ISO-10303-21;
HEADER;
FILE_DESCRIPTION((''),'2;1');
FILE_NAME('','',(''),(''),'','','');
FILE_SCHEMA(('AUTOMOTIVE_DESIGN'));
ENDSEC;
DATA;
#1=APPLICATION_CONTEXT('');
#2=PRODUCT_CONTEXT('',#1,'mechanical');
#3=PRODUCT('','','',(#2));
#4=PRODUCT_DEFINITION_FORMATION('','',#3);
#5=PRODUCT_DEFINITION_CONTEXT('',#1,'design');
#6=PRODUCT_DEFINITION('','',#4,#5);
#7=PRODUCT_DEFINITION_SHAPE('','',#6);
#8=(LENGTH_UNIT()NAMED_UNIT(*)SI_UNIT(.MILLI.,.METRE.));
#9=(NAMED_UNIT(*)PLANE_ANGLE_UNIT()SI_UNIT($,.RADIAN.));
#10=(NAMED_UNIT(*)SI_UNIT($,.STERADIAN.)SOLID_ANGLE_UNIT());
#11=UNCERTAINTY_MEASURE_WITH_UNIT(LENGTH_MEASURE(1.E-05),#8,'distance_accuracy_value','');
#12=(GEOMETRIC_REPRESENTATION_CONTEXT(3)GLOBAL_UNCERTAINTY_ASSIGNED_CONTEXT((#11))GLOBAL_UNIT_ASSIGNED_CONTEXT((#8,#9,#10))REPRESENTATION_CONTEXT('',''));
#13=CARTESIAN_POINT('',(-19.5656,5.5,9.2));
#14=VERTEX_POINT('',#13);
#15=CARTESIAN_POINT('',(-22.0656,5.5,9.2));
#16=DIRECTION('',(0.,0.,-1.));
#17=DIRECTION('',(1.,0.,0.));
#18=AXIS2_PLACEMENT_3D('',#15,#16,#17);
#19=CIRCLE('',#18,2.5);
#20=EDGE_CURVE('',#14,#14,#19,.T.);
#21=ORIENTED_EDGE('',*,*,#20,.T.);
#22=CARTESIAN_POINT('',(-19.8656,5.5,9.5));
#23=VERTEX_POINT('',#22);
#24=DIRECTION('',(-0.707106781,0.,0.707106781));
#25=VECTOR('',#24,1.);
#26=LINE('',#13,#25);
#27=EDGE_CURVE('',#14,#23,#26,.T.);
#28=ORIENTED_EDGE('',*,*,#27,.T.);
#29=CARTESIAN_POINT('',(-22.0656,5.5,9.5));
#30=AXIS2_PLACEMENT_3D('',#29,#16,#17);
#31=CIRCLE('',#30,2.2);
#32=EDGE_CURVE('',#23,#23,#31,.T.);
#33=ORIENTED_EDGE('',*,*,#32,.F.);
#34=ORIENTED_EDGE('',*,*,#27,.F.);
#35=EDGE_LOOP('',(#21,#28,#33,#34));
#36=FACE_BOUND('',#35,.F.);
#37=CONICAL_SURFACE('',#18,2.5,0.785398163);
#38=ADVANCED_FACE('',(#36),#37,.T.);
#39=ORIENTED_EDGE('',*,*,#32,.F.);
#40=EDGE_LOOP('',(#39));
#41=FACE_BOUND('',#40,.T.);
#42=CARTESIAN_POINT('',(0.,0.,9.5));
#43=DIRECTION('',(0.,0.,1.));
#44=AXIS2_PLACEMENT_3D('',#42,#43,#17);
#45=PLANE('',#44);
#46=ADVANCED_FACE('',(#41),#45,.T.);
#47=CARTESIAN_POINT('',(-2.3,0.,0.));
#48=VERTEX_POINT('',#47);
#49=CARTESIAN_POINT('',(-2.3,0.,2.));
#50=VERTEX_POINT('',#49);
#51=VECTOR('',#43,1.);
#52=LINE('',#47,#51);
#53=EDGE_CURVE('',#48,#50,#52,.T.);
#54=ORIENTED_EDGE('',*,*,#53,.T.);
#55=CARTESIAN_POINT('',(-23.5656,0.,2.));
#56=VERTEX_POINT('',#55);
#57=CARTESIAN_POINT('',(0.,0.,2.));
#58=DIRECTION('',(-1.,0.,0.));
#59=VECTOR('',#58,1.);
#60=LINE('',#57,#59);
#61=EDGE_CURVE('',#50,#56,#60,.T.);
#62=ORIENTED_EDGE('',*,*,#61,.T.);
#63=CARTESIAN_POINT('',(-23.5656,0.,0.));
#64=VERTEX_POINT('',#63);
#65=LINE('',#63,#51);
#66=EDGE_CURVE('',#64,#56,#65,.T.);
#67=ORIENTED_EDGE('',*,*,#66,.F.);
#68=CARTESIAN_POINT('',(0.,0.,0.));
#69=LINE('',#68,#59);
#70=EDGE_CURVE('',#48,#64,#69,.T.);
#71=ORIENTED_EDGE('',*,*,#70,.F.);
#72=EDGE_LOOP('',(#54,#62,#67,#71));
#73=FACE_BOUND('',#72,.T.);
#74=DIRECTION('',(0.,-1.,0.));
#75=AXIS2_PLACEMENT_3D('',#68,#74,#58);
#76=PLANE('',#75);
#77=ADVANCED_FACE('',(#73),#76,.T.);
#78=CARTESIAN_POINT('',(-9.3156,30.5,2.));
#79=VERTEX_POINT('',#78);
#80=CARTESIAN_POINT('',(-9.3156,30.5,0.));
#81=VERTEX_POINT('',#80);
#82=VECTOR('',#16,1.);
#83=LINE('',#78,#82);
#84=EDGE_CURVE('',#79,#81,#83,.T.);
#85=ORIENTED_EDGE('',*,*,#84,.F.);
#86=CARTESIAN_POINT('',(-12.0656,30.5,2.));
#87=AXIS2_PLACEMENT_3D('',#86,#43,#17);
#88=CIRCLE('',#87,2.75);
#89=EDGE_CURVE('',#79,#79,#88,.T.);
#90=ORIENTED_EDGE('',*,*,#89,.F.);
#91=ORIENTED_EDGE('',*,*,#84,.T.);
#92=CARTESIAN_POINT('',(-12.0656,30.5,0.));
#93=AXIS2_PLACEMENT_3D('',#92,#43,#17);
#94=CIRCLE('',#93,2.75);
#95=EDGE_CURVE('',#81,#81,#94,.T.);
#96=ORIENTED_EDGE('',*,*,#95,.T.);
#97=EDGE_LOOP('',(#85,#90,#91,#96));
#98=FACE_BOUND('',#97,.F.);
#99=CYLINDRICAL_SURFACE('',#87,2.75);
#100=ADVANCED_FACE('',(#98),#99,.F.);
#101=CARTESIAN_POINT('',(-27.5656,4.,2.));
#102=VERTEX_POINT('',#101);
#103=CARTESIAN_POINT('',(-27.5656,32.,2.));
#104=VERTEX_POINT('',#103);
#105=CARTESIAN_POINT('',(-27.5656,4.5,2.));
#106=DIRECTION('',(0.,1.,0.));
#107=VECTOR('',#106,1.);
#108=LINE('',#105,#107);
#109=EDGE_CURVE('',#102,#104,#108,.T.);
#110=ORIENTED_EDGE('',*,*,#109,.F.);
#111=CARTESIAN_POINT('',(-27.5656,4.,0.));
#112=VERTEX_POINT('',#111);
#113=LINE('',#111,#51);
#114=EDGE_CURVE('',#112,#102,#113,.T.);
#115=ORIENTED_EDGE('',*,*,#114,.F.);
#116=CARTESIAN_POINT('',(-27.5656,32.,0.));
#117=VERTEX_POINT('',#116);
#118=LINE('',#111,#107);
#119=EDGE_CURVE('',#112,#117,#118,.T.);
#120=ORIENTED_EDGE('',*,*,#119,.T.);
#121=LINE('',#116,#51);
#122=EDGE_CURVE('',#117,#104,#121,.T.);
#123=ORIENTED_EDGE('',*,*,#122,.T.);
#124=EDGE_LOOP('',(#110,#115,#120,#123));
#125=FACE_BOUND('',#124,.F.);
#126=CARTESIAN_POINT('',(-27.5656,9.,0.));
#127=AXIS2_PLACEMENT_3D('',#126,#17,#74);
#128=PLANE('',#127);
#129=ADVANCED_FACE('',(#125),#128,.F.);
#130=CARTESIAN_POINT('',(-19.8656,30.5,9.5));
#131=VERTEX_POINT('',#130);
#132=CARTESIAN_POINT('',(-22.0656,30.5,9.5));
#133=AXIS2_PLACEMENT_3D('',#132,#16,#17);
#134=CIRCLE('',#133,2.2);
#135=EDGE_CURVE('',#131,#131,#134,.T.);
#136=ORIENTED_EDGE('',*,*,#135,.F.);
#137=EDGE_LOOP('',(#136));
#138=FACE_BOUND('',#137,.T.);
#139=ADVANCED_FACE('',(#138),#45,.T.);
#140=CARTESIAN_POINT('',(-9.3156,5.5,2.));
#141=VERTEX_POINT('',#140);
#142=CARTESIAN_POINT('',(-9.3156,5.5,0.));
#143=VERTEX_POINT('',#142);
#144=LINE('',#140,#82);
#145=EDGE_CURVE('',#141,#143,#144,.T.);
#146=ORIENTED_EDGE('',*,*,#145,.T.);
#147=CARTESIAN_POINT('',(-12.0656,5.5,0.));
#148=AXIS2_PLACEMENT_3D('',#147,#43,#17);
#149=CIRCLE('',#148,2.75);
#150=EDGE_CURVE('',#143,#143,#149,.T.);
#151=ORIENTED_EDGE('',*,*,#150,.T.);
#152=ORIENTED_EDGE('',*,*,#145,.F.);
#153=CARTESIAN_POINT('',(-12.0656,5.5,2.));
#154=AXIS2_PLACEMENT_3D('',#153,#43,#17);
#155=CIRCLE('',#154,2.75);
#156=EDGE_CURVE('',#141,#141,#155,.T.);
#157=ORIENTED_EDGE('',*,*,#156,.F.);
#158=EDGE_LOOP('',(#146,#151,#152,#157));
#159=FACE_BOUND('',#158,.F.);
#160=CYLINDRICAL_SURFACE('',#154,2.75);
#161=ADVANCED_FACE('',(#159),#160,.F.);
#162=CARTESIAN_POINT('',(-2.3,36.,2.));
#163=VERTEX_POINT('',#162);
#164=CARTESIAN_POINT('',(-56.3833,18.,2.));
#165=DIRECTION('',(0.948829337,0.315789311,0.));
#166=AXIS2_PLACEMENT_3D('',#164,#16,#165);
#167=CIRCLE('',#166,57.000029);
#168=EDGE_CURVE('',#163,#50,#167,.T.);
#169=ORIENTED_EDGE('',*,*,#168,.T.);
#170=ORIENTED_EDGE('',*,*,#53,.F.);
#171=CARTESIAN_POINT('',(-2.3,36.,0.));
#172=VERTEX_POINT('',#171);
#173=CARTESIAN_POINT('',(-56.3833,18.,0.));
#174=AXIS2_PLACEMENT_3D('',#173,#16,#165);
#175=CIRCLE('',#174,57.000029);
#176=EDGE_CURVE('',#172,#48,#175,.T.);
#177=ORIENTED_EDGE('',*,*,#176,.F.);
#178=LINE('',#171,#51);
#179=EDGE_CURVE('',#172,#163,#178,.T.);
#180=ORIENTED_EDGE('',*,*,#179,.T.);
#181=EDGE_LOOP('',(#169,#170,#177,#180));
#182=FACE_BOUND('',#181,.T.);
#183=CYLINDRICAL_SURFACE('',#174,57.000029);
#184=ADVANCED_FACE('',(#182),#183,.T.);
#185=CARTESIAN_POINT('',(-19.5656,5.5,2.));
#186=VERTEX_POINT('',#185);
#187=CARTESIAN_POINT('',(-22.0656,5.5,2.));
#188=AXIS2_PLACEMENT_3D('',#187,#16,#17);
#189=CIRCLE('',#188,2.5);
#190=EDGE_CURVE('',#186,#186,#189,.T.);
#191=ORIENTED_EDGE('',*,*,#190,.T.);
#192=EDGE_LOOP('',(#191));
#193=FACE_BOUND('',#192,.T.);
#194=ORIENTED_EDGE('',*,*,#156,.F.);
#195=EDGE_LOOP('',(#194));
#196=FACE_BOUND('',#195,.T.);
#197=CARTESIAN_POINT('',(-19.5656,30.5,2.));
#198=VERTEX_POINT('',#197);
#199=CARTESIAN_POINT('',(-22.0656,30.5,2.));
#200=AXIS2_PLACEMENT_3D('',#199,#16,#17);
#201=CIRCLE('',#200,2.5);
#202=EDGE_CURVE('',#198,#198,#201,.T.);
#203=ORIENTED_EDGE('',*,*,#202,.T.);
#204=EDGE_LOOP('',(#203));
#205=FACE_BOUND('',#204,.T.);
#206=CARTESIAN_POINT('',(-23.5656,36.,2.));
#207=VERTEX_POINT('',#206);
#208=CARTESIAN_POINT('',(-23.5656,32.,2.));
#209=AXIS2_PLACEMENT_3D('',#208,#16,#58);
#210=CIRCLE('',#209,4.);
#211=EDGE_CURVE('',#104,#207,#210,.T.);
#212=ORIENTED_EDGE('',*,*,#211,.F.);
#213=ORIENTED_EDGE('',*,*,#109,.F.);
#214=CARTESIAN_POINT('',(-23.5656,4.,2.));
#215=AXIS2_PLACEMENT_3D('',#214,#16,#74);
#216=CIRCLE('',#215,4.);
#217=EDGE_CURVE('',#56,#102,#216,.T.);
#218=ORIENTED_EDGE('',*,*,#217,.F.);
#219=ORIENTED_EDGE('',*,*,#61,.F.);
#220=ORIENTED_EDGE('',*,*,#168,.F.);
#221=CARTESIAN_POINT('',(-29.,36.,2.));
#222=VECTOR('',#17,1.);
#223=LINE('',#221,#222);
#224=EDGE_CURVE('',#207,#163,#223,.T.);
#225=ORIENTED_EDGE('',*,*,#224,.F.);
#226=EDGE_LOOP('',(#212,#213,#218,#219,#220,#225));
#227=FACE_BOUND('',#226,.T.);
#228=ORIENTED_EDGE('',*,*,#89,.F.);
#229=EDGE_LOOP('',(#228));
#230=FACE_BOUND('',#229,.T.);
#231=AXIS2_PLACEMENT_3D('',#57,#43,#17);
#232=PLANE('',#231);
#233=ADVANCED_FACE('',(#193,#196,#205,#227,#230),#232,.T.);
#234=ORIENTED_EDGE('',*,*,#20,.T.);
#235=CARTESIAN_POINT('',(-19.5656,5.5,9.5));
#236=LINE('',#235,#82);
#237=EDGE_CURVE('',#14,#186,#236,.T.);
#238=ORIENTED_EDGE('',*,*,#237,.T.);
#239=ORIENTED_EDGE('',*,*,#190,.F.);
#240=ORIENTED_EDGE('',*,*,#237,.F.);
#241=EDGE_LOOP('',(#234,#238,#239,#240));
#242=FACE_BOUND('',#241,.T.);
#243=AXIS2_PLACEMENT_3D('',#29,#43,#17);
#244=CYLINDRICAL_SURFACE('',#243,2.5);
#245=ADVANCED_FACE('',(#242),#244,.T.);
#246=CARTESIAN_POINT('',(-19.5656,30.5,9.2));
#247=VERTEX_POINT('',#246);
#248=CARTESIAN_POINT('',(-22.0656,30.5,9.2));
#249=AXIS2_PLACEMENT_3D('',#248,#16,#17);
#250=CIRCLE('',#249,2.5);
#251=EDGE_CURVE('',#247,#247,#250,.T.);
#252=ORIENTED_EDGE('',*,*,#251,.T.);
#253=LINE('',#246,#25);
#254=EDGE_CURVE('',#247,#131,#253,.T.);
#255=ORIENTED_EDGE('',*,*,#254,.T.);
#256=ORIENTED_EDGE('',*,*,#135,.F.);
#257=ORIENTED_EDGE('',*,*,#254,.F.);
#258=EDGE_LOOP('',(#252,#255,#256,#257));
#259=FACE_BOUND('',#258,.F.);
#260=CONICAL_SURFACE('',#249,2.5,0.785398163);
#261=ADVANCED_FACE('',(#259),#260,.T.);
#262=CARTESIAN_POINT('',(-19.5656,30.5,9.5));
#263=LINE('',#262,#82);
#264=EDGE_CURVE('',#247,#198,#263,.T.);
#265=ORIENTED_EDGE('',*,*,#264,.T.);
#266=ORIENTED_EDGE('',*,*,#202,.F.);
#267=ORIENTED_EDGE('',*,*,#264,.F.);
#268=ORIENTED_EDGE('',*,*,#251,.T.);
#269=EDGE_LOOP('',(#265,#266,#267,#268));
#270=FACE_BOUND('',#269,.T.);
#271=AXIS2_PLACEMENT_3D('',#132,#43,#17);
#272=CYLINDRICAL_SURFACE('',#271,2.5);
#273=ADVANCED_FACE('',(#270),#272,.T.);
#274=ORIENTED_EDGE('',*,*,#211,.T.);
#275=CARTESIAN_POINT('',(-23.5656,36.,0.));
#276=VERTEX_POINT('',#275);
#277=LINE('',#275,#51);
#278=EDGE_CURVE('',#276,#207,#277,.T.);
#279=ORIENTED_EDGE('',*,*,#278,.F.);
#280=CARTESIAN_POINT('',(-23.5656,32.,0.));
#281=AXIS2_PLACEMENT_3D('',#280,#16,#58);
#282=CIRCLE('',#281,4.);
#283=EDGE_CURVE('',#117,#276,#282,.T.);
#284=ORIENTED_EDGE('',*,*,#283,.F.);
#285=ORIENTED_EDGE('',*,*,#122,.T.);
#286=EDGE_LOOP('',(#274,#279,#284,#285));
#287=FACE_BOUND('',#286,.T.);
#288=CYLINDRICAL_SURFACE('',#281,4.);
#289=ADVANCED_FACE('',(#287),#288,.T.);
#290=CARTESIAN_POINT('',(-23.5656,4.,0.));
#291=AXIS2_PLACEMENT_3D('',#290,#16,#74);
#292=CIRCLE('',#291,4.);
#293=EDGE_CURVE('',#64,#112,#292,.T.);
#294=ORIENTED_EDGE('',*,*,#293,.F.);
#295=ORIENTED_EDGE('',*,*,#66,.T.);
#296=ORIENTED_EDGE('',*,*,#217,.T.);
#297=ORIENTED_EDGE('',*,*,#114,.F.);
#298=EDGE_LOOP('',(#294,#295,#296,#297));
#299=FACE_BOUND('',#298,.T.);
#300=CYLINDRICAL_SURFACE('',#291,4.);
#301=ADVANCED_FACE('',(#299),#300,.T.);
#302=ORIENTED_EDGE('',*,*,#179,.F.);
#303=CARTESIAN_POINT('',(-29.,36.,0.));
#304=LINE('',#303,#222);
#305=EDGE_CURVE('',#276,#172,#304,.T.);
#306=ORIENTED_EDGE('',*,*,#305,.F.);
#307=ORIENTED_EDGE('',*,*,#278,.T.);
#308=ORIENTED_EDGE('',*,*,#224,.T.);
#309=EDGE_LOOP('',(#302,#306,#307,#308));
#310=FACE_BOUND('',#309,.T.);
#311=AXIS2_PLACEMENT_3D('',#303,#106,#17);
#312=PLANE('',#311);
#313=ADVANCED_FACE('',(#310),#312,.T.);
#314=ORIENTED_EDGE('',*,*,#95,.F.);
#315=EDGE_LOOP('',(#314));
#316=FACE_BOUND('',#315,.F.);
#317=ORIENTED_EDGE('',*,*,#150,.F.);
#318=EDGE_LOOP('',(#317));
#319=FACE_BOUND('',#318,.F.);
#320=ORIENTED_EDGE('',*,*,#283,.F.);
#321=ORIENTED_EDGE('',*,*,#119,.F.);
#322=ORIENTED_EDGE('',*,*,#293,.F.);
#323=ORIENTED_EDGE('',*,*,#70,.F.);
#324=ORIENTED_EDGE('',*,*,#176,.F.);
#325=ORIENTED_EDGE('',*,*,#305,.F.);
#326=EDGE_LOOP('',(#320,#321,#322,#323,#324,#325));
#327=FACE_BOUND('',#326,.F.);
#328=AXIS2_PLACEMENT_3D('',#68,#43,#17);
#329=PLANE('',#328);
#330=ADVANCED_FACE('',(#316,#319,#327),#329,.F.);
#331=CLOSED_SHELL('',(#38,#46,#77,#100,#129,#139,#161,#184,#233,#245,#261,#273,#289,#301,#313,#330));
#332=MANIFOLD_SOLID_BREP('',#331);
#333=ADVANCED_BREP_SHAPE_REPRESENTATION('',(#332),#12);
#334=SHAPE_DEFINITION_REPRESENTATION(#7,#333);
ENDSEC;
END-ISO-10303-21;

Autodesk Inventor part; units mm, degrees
ref_plane "YZ Plane" through (0, 0, 0) normal (1, 0, 0) x (0, 1, 0)
ref_plane "XZ Plane" through (0, 0, 0) normal (0, 1, 0) x (-1, 0, 0)
ref_plane "XY Plane" through (0, 0, 0) normal (0, 0, 1) x (1, 0, 0)
sketch "Esquisse1" plane through (0, 0, 0) normal (0, 0, 1) x (1, 0, 0)
  line L0 (0, 0) -> (-29, 0)
  line L1 (-29, 0) -> (-29, 36)
  line L2 (-29, 36) -> (0, 36)
  line L3 (-24.5656, 33) -> (-19.5656, 33)
  line L4 (-19.5656, 33) -> (-19.5656, 28)
  line L5 (-19.5656, 28) -> (-24.5656, 28)
  line L6 (-24.5656, 28) -> (-24.5656, 33)
  line L7 (-14.5656, 33) -> (-9.5656, 33)
  line L8 (-9.5656, 33) -> (-9.5656, 28)
  line L9 (-9.5656, 28) -> (-14.5656, 28)
  line L10 (-14.5656, 28) -> (-14.5656, 33)
  line L11 (-24.5656, 8) -> (-19.5656, 8)
  line L12 (-19.5656, 8) -> (-19.5656, 3)
  line L13 (-19.5656, 3) -> (-24.5656, 3)
  line L14 (-24.5656, 3) -> (-24.5656, 8)
  line L15 (-14.5656, 8) -> (-9.5656, 8)
  line L16 (-9.5656, 8) -> (-9.5656, 3)
  line L17 (-9.5656, 3) -> (-14.5656, 3)
  line L18 (-14.5656, 3) -> (-14.5656, 8)
  arc A0 (0, 0) -> (0, 36) centre (-54.0833, 18) ccw
  line L19 (-9.3156, 33.25) -> (-14.8156, 33.25)
  line L20 (-14.8156, 33.25) -> (-14.8156, 27.75)
  line L21 (-14.8156, 27.75) -> (-9.3156, 27.75)
  line L22 (-9.3156, 27.75) -> (-9.3156, 33.25)
  line L23 (-9.3156, 8.25) -> (-14.8156, 8.25)
  line L24 (-14.8156, 8.25) -> (-14.8156, 2.75)
  line L25 (-14.8156, 2.75) -> (-9.3156, 2.75)
  line L26 (-9.3156, 2.75) -> (-9.3156, 8.25)
  dimension "d0" = 36
  dimension "d1" = 29
  dimension "d2" = 5
  dimension "d3" = 5
  dimension "d4" = 5
  dimension "d5" = 5
  dimension "d6" = 20
  dimension "d7" = 5
  dimension "d8" = 3
  dimension "d9" = 57
  dimension "d21" = 5.5
  dimension "d22" = 5.5
extrude "Extrusion1" add sketch "Esquisse1" along normal blind 2 contours L0 L1 L2 A0 | L22 L21 L20 L19 | L26 L25 L24 L23
extrude "Extrusion3" add sketch "Esquisse1" along normal blind 9.5 contours L3 L4 L5 L6 | L11 L12 L13 L14
fillet "Congé1" radius 4 2 edges at (-29, 0, 1) (-29, 36, 1)
sketch "Esquisse2" plane through (0, 0, 2) normal (0, 0, 1) x (1, 0, 0)
  line L0 (-9.5656, 8) -> (-9.5656, 3) projected
  line L1 (-9.5656, 3) -> (-14.5656, 3) projected
  line L2 (-14.5656, 3) -> (-14.5656, 8) projected
  line L3 (-14.5656, 8) -> (-9.5656, 8) projected
  line L4 (-19.5656, 8) -> (-19.5656, 3) projected
  line L5 (-19.5656, 3) -> (-24.5656, 3) projected
  line L6 (-24.5656, 3) -> (-24.5656, 8) projected
  line L7 (-24.5656, 8) -> (-19.5656, 8) projected
  line L8 (-9.5656, 33) -> (-9.5656, 28) projected
  line L9 (-9.5656, 28) -> (-14.5656, 28) projected
  line L10 (-14.5656, 28) -> (-14.5656, 33) projected
  line L11 (-14.5656, 33) -> (-9.5656, 33) projected
  line L12 (-19.5656, 33) -> (-19.5656, 28) projected
  line L13 (-19.5656, 28) -> (-24.5656, 28) projected
  line L14 (-24.5656, 28) -> (-24.5656, 33) projected
  line L15 (-24.5656, 33) -> (-19.5656, 33) projected
  arc A0 (-25, 36) -> (-29, 32) centre (-25, 32) ccw projected
  line L16 (-29, 32) -> (-29, 4) projected
  arc A1 (-29, 4) -> (-25, 0) centre (-25, 4) ccw projected
  line L17 (-25, 0) -> (0, 0) projected
  arc A2 (0, 0) -> (0, 36) centre (-54.0833, 18) ccw projected
  line L18 (0, 36) -> (-25, 36) projected
  circle A3 centre (-12.0656, 30.5) radius 2.5
  circle A4 centre (-12.0656, 5.5) radius 2.5
extrude "Extrusion4" add sketch "Esquisse2" against normal up to surface (2 mm away) contours L0 A4 L3 | L0 L1 A4 | A4 L2 L3 | L1 L2 A4 | L8 A3 L11 | L8 L9 A3 | A3 L10 L11 | L9 L10 A3
sketch "Esquisse3" plane through (0, 0, 9.5) normal (0, 0, 1) x (1, 0, 0)
  circle A0 centre (-12.0656, 5.5) radius 2.5 projected
  line L0 (-19.5656, 8) -> (-19.5656, 3) projected
  line L1 (-19.5656, 3) -> (-24.5656, 3) projected
  line L2 (-24.5656, 3) -> (-24.5656, 8) projected
  line L3 (-24.5656, 8) -> (-19.5656, 8) projected
  circle A1 centre (-12.0656, 30.5) radius 2.5 projected
  line L4 (-19.5656, 33) -> (-19.5656, 28) projected
  line L5 (-19.5656, 28) -> (-24.5656, 28) projected
  line L6 (-24.5656, 28) -> (-24.5656, 33) projected
  line L7 (-24.5656, 33) -> (-19.5656, 33) projected
  arc A2 (-25, 36) -> (-29, 32) centre (-25, 32) ccw projected
  line L8 (-29, 32) -> (-29, 4) projected
  arc A3 (-29, 4) -> (-25, 0) centre (-25, 4) ccw projected
  line L9 (-25, 0) -> (0, 0) projected
  arc A4 (0, 0) -> (0, 36) centre (-54.0833, 18) ccw projected
  line L10 (0, 36) -> (-25, 36) projected
  circle A5 centre (-22.0656, 30.5) radius 2.5
  circle A6 centre (-22.0656, 5.5) radius 2.5
extrude "Extrusion5" cut sketch "Esquisse3" against normal up to surface (7.5 mm away) contours L0 A6 L3 | L0 L1 A6 | A6 L2 L3 | L1 L2 A6 | L4 A5 L7 | L4 L5 A5 | A5 L6 L7 | L5 L6 A5
sketch "Esquisse4" plane through (0, 0, 2) normal (0, 0, 1) x (1, 0, 0)
  circle A0 centre (-12.0656, 5.5) radius 2.5 projected
  circle A1 centre (-22.0656, 5.5) radius 2.5 projected
  circle A2 centre (-12.0656, 30.5) radius 2.5 projected
  circle A3 centre (-22.0656, 30.5) radius 2.5 projected
  arc A4 (-25, 36) -> (-29, 32) centre (-25, 32) ccw projected
  line L0 (-29, 32) -> (-29, 4) projected
  arc A5 (-29, 4) -> (-25, 0) centre (-25, 4) ccw projected
  line L1 (-25, 0) -> (0, 0) projected
  arc A6 (0, 0) -> (0, 36) centre (-54.0833, 18) ccw projected
  line L2 (0, 36) -> (-25, 36) projected
  circle A7 centre (-12.0656, 30.5) radius 2.75
  circle A8 centre (-12.0656, 5.5) radius 2.75
  dimension "d23" = 5.5
  dimension "d24" = 5.5
extrude "Extrusion6" cut sketch "Esquisse4" against normal through all contours A7 | A8
chamfer "Chanfrein1" distance 0.3 angle 45 2 edges at (-24.5656, 5.5, 9.5) (-24.5656, 30.5, 9.5)
sketch "Esquisse5" plane through (0, 0, 0) normal (0, 0, -1) x (-1, 0, 0)
  circle A0 centre (34.0656, -7) radius 1.15 projected
  circle A1 centre (40.5656, -7) radius 1.15 projected
  circle A2 centre (70.5656, -7) radius 1.15 projected
  circle A3 centre (77.0656, -7) radius 1.15 projected
  circle A4 centre (45.5656, 14.75) radius 1.15 projected
  circle A5 centre (65.5656, 14.75) radius 1.15 projected
  circle A6 centre (65.5656, 21.25) radius 1.15 projected
  circle A7 centre (45.5656, 21.25) radius 1.15 projected
  circle A8 centre (77.0656, 43) radius 1.15 projected
  circle A9 centre (70.5656, 43) radius 1.15 projected
  circle A10 centre (40.5656, 43) radius 1.15 projected
  circle A11 centre (34.0656, 43) radius 1.15 projected
  line L0 (40.3656, 10.5) -> (40.3656, 0.5) projected
  line L1 (70.7477, 10.5) -> (40.3656, 10.5) projected
  line L2 (70.7477, 0.5) -> (70.7477, 10.5) projected
  line L3 (66.7656, 0.5) -> (70.7477, 0.5) projected
  line L4 (66.7656, 0.5) -> (66.7656, -12) projected
  line L5 (66.7656, -12) -> (82.5656, -12) projected
  arc A12 (82.5656, -12) -> (86.5656, -8) centre (82.5656, -8) ccw projected
  line L6 (86.5656, -8) -> (86.5656, 0) projected
  line L7 (86.5656, 0) -> (87.5656, 0) projected
  arc A13 (83.5656, 4) -> (87.5656, 0) centre (87.5656, 4) ccw projected
  line L8 (83.5656, 4) -> (83.5656, 9) projected
  arc A14 (87.5656, 13) -> (83.5656, 9) centre (87.5656, 9) ccw projected
  line L9 (87.5656, 13) -> (104.0656, 13) projected
  arc A15 (105.2725, 12.5947) -> (104.0656, 13) centre (104.0656, 11) ccw projected
  arc A16 (105.2725, 12.5947) -> (105.2725, 23.4053) centre (55.5656, 18) ccw projected
  arc A17 (104.0656, 23) -> (105.2725, 23.4053) centre (104.0656, 25) ccw projected
  line L10 (104.0656, 23) -> (87.5656, 23) projected
  arc A18 (83.5656, 27) -> (87.5656, 23) centre (87.5656, 27) ccw projected
  line L11 (83.5656, 27) -> (83.5656, 32) projected
  arc A19 (87.5656, 36) -> (83.5656, 32) centre (87.5656, 32) ccw projected
  line L12 (87.5656, 36) -> (86.5656, 36) projected
  line L13 (86.5656, 36) -> (86.5656, 44) projected
  arc A20 (86.5656, 44) -> (82.5656, 48) centre (82.5656, 44) ccw projected
  line L14 (82.5656, 48) -> (66.7656, 48) projected
  line L15 (66.7656, 48) -> (66.7656, 35.5) projected
  line L16 (70.7477, 35.5) -> (66.7656, 35.5) projected
  line L17 (70.7477, 25.5) -> (70.7477, 35.5) projected
  line L18 (40.3656, 25.5) -> (70.7477, 25.5) projected
  line L19 (40.3656, 35.5) -> (40.3656, 25.5) projected
  line L20 (44.3656, 35.5) -> (40.3656, 35.5) projected
  line L21 (44.3656, 35.5) -> (44.3656, 48) projected
  line L22 (44.3656, 48) -> (28.5656, 48) projected
  arc A21 (28.5656, 48) -> (24.5656, 44) centre (28.5656, 44) ccw projected
  line L23 (24.5656, 44) -> (24.5656, 36) projected
  line L24 (24.5656, 36) -> (23.5656, 36) projected
  arc A22 (27.5656, 32) -> (23.5656, 36) centre (23.5656, 32) ccw projected
  line L25 (27.5656, 32) -> (27.5656, 27) projected
  arc A23 (23.5656, 23) -> (27.5656, 27) centre (23.5656, 27) ccw projected
  line L26 (23.5656, 23) -> (7.0656, 23) projected
  arc A24 (5.8586, 23.4053) -> (7.0656, 23) centre (7.0656, 25) ccw projected
  arc A25 (5.8586, 23.4053) -> (5.8586, 12.5947) centre (55.5656, 18) ccw projected
  arc A26 (7.0656, 13) -> (5.8586, 12.5947) centre (7.0656, 11) ccw projected
  line L27 (7.0656, 13) -> (23.5656, 13) projected
  arc A27 (27.5656, 9) -> (23.5656, 13) centre (23.5656, 9) ccw projected
  line L28 (27.5656, 9) -> (27.5656, 4) projected
  arc A28 (23.5656, 0) -> (27.5656, 4) centre (23.5656, 4) ccw projected
  line L29 (23.5656, 0) -> (24.5656, 0) projected
  line L30 (24.5656, 0) -> (24.5656, -8) projected
  arc A29 (24.5656, -8) -> (28.5656, -12) centre (28.5656, -8) ccw projected
  line L31 (28.5656, -12) -> (44.3656, -12) projected
  line L32 (44.3656, -12) -> (44.3656, 0.5) projected
  line L33 (40.3656, 0.5) -> (44.3656, 0.5) projected
  line L34 (27.5656, 4) -> (27.5656, 32)
  arc A30 (23.5656, 0) -> (27.5656, 4) centre (23.5656, 4) ccw
  arc A31 (27.5656, 32) -> (23.5656, 36) centre (23.5656, 32) ccw
  line L35 (23.5656, 0) -> (2.3, 0)
  line L36 (25, 0) -> (0, 0) projected
  line L37 (23.5656, 36.0967) -> (2.3, 36)
  line L38 (25, 36) -> (0, 36) projected
  arc A32 (2.3, 36) -> (2.3, 0) centre (56.3833, 18) ccw
  arc A33 (0, 36) -> (0, 0) centre (54.0833, 18) ccw projected
  line L39 (29, 4) -> (29, 32) projected
  arc A34 (25, 0) -> (29, 4) centre (25, 4) ccw projected
  arc A35 (29, 32) -> (25, 36) centre (25, 32) ccw projected
  line L40 (0, 0) -> (25, 0) projected
  dimension "d30" = 2.3
  dimension "d31" = 2.3
  dimension "d32" = 57
  dimension "d33" = 57
extrude "Extrusion7" cut sketch "Esquisse5" against normal through all contours L29 A28 L28 L34 L25 A22 L24 L38 A35 L39 A34 L36 | L36 A33 L38 A32
properties part number "green_part-july21" material "Plastique ABS"
